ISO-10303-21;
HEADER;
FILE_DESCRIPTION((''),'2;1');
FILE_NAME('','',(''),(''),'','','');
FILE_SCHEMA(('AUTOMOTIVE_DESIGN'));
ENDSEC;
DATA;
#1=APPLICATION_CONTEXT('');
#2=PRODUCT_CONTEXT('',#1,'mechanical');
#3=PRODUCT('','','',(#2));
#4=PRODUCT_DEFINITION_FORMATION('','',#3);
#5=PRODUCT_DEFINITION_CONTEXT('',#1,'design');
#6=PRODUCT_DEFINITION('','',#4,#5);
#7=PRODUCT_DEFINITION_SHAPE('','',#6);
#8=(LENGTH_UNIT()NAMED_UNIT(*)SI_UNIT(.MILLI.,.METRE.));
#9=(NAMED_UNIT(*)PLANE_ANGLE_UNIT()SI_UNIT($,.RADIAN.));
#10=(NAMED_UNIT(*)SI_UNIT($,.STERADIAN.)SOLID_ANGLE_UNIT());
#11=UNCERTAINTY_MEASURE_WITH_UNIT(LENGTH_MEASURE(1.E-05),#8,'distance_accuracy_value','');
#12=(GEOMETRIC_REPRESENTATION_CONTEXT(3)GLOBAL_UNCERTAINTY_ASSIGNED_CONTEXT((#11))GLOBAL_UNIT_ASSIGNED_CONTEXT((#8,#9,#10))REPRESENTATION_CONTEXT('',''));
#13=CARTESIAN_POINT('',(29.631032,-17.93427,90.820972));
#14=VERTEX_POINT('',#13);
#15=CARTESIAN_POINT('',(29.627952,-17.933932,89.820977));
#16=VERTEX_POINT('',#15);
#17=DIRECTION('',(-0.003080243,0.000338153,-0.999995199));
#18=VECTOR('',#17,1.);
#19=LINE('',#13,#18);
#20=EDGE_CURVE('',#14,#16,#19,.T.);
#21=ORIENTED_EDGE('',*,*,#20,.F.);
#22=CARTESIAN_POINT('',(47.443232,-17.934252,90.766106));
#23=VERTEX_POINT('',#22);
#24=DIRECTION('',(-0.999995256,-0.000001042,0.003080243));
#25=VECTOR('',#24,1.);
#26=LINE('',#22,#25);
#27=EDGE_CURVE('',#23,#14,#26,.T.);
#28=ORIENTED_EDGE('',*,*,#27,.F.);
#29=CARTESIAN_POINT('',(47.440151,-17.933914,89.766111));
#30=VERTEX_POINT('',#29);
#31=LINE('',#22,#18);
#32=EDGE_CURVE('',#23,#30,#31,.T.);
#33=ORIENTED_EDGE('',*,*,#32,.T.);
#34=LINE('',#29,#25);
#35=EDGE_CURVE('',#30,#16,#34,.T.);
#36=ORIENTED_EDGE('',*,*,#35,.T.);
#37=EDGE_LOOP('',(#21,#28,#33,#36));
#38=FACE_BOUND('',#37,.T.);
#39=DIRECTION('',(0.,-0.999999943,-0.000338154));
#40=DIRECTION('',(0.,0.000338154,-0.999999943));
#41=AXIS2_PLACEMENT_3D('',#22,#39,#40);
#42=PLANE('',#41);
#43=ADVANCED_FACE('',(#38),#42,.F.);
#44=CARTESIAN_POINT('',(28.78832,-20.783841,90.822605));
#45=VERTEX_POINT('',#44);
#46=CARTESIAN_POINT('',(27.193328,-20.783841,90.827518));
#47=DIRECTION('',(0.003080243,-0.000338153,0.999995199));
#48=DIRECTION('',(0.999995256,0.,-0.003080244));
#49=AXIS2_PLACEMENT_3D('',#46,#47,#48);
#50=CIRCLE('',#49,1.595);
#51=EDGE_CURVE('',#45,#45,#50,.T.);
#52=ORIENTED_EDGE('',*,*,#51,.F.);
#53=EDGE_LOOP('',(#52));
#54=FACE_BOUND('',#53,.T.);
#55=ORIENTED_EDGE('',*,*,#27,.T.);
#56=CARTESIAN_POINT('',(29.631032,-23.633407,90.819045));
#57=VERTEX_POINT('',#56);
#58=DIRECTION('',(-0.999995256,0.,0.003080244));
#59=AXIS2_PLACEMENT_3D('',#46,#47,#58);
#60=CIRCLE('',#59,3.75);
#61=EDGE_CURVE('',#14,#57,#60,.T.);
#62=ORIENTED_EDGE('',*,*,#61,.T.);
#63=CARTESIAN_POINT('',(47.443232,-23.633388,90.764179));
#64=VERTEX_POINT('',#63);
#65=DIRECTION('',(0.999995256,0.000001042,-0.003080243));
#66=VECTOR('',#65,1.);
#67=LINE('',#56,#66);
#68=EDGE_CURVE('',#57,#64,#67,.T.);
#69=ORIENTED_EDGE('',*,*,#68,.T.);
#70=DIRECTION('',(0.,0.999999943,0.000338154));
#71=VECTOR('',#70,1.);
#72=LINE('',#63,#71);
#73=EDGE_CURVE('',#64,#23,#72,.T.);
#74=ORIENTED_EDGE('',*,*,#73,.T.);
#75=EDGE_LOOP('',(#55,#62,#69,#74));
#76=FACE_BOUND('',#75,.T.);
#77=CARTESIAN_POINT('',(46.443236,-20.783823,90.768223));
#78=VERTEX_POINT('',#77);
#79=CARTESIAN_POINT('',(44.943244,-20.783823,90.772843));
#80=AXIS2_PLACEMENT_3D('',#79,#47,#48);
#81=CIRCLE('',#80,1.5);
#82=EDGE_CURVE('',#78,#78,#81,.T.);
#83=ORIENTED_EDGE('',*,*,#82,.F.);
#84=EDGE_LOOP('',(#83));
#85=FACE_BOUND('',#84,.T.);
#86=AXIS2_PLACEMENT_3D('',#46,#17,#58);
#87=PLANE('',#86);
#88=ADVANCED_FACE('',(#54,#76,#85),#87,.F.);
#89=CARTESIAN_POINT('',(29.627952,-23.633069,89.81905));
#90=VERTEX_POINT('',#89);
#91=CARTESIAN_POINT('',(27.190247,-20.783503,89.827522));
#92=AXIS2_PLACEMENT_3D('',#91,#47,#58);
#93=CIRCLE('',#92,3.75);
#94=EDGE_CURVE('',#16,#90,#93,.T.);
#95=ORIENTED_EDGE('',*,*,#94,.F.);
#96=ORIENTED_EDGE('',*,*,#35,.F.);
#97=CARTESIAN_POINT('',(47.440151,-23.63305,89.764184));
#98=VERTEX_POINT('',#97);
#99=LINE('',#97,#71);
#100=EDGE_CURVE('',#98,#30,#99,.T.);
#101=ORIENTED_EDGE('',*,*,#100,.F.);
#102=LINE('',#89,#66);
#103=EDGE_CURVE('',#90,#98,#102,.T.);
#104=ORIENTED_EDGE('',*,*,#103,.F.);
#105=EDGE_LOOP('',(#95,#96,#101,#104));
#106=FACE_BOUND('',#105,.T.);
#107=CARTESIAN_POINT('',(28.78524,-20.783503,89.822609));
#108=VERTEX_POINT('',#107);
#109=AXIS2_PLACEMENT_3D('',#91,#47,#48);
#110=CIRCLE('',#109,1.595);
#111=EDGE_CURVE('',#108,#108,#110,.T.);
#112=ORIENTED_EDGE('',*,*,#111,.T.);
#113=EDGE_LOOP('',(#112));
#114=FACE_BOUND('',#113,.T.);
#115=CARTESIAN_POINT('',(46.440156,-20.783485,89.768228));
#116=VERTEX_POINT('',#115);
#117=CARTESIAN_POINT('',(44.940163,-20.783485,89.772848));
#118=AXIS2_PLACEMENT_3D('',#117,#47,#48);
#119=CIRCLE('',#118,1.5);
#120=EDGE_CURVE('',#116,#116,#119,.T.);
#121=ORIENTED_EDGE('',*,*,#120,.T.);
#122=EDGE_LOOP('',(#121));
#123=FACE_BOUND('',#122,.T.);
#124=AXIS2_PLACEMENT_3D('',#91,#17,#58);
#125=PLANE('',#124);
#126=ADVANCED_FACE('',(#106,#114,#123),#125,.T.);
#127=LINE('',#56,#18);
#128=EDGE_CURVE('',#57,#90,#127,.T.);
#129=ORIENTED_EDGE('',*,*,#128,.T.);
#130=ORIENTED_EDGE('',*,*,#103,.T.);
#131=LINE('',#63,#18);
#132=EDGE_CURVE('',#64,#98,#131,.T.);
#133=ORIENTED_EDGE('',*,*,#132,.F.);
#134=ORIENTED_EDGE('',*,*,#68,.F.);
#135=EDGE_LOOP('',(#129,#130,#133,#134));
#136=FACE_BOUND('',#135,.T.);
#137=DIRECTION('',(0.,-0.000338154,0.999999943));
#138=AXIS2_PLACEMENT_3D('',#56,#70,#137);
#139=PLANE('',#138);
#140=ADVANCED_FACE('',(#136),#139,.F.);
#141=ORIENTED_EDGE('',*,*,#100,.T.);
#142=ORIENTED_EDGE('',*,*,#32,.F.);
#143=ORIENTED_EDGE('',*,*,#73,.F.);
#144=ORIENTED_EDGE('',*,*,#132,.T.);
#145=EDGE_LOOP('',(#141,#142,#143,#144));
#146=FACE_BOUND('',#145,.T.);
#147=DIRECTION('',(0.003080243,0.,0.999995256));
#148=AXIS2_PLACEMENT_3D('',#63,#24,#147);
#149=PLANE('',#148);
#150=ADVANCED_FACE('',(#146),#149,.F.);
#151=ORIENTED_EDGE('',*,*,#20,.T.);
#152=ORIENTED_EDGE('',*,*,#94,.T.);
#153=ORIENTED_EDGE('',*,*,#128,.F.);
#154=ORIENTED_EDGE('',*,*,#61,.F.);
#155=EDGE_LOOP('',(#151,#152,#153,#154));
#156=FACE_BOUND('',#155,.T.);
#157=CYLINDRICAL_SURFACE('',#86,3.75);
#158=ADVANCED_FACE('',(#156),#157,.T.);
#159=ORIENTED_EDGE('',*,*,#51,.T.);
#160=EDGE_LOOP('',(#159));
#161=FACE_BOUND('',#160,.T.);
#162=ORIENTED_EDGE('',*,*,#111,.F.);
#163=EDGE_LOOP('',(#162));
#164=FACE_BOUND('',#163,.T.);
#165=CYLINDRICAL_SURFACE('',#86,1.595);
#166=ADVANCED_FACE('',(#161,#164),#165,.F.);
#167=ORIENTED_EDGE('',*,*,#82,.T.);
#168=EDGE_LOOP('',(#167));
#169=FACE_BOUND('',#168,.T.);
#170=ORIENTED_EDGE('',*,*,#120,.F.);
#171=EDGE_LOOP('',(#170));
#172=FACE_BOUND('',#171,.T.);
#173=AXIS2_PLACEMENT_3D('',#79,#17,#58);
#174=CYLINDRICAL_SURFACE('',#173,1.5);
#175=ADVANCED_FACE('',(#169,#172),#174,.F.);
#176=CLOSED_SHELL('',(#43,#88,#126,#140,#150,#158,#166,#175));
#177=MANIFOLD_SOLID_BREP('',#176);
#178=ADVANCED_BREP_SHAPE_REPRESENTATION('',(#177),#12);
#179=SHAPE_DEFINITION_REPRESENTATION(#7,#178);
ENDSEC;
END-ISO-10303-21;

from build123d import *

# Parameters (mm, degrees)
SKETCH1_R           = 1.595
SKETCH1_R_2         = 1.5
BOSS_EXTRUDE1_DEPTH = 1


with BuildPart() as part:
    # Sketch1 → Boss-Extrude1 (new body)
    with BuildSketch(Plane(origin=(0.276968936, -0.030405965, 89.917439906), x_dir=(0.999995256, 1.042e-06, -0.003080243), z_dir=(0.003080243, -0.000338153, 0.999995199))):
        with BuildLine():
            Line((29.351122384, -23.602694705), (47.163406232, -23.602694705))
            Line((47.163406232, -23.602694705), (47.163406232, -17.90355794))
            Line((47.163406232, -17.90355794), (29.351122384, -17.90355794))
            ThreePointArc((29.351122384, -17.90355794), (23.163406232, -20.753126322), (29.351122384, -23.602694705))
        make_face()
        with Locations((26.913406232, -20.753126322)):
            Circle(SKETCH1_R, mode=Mode.SUBTRACT)
        with Locations((44.663406232, -20.753126322)):
            Circle(SKETCH1_R_2, mode=Mode.SUBTRACT)
    extrude(amount=BOSS_EXTRUDE1_DEPTH)


solid = part.part
